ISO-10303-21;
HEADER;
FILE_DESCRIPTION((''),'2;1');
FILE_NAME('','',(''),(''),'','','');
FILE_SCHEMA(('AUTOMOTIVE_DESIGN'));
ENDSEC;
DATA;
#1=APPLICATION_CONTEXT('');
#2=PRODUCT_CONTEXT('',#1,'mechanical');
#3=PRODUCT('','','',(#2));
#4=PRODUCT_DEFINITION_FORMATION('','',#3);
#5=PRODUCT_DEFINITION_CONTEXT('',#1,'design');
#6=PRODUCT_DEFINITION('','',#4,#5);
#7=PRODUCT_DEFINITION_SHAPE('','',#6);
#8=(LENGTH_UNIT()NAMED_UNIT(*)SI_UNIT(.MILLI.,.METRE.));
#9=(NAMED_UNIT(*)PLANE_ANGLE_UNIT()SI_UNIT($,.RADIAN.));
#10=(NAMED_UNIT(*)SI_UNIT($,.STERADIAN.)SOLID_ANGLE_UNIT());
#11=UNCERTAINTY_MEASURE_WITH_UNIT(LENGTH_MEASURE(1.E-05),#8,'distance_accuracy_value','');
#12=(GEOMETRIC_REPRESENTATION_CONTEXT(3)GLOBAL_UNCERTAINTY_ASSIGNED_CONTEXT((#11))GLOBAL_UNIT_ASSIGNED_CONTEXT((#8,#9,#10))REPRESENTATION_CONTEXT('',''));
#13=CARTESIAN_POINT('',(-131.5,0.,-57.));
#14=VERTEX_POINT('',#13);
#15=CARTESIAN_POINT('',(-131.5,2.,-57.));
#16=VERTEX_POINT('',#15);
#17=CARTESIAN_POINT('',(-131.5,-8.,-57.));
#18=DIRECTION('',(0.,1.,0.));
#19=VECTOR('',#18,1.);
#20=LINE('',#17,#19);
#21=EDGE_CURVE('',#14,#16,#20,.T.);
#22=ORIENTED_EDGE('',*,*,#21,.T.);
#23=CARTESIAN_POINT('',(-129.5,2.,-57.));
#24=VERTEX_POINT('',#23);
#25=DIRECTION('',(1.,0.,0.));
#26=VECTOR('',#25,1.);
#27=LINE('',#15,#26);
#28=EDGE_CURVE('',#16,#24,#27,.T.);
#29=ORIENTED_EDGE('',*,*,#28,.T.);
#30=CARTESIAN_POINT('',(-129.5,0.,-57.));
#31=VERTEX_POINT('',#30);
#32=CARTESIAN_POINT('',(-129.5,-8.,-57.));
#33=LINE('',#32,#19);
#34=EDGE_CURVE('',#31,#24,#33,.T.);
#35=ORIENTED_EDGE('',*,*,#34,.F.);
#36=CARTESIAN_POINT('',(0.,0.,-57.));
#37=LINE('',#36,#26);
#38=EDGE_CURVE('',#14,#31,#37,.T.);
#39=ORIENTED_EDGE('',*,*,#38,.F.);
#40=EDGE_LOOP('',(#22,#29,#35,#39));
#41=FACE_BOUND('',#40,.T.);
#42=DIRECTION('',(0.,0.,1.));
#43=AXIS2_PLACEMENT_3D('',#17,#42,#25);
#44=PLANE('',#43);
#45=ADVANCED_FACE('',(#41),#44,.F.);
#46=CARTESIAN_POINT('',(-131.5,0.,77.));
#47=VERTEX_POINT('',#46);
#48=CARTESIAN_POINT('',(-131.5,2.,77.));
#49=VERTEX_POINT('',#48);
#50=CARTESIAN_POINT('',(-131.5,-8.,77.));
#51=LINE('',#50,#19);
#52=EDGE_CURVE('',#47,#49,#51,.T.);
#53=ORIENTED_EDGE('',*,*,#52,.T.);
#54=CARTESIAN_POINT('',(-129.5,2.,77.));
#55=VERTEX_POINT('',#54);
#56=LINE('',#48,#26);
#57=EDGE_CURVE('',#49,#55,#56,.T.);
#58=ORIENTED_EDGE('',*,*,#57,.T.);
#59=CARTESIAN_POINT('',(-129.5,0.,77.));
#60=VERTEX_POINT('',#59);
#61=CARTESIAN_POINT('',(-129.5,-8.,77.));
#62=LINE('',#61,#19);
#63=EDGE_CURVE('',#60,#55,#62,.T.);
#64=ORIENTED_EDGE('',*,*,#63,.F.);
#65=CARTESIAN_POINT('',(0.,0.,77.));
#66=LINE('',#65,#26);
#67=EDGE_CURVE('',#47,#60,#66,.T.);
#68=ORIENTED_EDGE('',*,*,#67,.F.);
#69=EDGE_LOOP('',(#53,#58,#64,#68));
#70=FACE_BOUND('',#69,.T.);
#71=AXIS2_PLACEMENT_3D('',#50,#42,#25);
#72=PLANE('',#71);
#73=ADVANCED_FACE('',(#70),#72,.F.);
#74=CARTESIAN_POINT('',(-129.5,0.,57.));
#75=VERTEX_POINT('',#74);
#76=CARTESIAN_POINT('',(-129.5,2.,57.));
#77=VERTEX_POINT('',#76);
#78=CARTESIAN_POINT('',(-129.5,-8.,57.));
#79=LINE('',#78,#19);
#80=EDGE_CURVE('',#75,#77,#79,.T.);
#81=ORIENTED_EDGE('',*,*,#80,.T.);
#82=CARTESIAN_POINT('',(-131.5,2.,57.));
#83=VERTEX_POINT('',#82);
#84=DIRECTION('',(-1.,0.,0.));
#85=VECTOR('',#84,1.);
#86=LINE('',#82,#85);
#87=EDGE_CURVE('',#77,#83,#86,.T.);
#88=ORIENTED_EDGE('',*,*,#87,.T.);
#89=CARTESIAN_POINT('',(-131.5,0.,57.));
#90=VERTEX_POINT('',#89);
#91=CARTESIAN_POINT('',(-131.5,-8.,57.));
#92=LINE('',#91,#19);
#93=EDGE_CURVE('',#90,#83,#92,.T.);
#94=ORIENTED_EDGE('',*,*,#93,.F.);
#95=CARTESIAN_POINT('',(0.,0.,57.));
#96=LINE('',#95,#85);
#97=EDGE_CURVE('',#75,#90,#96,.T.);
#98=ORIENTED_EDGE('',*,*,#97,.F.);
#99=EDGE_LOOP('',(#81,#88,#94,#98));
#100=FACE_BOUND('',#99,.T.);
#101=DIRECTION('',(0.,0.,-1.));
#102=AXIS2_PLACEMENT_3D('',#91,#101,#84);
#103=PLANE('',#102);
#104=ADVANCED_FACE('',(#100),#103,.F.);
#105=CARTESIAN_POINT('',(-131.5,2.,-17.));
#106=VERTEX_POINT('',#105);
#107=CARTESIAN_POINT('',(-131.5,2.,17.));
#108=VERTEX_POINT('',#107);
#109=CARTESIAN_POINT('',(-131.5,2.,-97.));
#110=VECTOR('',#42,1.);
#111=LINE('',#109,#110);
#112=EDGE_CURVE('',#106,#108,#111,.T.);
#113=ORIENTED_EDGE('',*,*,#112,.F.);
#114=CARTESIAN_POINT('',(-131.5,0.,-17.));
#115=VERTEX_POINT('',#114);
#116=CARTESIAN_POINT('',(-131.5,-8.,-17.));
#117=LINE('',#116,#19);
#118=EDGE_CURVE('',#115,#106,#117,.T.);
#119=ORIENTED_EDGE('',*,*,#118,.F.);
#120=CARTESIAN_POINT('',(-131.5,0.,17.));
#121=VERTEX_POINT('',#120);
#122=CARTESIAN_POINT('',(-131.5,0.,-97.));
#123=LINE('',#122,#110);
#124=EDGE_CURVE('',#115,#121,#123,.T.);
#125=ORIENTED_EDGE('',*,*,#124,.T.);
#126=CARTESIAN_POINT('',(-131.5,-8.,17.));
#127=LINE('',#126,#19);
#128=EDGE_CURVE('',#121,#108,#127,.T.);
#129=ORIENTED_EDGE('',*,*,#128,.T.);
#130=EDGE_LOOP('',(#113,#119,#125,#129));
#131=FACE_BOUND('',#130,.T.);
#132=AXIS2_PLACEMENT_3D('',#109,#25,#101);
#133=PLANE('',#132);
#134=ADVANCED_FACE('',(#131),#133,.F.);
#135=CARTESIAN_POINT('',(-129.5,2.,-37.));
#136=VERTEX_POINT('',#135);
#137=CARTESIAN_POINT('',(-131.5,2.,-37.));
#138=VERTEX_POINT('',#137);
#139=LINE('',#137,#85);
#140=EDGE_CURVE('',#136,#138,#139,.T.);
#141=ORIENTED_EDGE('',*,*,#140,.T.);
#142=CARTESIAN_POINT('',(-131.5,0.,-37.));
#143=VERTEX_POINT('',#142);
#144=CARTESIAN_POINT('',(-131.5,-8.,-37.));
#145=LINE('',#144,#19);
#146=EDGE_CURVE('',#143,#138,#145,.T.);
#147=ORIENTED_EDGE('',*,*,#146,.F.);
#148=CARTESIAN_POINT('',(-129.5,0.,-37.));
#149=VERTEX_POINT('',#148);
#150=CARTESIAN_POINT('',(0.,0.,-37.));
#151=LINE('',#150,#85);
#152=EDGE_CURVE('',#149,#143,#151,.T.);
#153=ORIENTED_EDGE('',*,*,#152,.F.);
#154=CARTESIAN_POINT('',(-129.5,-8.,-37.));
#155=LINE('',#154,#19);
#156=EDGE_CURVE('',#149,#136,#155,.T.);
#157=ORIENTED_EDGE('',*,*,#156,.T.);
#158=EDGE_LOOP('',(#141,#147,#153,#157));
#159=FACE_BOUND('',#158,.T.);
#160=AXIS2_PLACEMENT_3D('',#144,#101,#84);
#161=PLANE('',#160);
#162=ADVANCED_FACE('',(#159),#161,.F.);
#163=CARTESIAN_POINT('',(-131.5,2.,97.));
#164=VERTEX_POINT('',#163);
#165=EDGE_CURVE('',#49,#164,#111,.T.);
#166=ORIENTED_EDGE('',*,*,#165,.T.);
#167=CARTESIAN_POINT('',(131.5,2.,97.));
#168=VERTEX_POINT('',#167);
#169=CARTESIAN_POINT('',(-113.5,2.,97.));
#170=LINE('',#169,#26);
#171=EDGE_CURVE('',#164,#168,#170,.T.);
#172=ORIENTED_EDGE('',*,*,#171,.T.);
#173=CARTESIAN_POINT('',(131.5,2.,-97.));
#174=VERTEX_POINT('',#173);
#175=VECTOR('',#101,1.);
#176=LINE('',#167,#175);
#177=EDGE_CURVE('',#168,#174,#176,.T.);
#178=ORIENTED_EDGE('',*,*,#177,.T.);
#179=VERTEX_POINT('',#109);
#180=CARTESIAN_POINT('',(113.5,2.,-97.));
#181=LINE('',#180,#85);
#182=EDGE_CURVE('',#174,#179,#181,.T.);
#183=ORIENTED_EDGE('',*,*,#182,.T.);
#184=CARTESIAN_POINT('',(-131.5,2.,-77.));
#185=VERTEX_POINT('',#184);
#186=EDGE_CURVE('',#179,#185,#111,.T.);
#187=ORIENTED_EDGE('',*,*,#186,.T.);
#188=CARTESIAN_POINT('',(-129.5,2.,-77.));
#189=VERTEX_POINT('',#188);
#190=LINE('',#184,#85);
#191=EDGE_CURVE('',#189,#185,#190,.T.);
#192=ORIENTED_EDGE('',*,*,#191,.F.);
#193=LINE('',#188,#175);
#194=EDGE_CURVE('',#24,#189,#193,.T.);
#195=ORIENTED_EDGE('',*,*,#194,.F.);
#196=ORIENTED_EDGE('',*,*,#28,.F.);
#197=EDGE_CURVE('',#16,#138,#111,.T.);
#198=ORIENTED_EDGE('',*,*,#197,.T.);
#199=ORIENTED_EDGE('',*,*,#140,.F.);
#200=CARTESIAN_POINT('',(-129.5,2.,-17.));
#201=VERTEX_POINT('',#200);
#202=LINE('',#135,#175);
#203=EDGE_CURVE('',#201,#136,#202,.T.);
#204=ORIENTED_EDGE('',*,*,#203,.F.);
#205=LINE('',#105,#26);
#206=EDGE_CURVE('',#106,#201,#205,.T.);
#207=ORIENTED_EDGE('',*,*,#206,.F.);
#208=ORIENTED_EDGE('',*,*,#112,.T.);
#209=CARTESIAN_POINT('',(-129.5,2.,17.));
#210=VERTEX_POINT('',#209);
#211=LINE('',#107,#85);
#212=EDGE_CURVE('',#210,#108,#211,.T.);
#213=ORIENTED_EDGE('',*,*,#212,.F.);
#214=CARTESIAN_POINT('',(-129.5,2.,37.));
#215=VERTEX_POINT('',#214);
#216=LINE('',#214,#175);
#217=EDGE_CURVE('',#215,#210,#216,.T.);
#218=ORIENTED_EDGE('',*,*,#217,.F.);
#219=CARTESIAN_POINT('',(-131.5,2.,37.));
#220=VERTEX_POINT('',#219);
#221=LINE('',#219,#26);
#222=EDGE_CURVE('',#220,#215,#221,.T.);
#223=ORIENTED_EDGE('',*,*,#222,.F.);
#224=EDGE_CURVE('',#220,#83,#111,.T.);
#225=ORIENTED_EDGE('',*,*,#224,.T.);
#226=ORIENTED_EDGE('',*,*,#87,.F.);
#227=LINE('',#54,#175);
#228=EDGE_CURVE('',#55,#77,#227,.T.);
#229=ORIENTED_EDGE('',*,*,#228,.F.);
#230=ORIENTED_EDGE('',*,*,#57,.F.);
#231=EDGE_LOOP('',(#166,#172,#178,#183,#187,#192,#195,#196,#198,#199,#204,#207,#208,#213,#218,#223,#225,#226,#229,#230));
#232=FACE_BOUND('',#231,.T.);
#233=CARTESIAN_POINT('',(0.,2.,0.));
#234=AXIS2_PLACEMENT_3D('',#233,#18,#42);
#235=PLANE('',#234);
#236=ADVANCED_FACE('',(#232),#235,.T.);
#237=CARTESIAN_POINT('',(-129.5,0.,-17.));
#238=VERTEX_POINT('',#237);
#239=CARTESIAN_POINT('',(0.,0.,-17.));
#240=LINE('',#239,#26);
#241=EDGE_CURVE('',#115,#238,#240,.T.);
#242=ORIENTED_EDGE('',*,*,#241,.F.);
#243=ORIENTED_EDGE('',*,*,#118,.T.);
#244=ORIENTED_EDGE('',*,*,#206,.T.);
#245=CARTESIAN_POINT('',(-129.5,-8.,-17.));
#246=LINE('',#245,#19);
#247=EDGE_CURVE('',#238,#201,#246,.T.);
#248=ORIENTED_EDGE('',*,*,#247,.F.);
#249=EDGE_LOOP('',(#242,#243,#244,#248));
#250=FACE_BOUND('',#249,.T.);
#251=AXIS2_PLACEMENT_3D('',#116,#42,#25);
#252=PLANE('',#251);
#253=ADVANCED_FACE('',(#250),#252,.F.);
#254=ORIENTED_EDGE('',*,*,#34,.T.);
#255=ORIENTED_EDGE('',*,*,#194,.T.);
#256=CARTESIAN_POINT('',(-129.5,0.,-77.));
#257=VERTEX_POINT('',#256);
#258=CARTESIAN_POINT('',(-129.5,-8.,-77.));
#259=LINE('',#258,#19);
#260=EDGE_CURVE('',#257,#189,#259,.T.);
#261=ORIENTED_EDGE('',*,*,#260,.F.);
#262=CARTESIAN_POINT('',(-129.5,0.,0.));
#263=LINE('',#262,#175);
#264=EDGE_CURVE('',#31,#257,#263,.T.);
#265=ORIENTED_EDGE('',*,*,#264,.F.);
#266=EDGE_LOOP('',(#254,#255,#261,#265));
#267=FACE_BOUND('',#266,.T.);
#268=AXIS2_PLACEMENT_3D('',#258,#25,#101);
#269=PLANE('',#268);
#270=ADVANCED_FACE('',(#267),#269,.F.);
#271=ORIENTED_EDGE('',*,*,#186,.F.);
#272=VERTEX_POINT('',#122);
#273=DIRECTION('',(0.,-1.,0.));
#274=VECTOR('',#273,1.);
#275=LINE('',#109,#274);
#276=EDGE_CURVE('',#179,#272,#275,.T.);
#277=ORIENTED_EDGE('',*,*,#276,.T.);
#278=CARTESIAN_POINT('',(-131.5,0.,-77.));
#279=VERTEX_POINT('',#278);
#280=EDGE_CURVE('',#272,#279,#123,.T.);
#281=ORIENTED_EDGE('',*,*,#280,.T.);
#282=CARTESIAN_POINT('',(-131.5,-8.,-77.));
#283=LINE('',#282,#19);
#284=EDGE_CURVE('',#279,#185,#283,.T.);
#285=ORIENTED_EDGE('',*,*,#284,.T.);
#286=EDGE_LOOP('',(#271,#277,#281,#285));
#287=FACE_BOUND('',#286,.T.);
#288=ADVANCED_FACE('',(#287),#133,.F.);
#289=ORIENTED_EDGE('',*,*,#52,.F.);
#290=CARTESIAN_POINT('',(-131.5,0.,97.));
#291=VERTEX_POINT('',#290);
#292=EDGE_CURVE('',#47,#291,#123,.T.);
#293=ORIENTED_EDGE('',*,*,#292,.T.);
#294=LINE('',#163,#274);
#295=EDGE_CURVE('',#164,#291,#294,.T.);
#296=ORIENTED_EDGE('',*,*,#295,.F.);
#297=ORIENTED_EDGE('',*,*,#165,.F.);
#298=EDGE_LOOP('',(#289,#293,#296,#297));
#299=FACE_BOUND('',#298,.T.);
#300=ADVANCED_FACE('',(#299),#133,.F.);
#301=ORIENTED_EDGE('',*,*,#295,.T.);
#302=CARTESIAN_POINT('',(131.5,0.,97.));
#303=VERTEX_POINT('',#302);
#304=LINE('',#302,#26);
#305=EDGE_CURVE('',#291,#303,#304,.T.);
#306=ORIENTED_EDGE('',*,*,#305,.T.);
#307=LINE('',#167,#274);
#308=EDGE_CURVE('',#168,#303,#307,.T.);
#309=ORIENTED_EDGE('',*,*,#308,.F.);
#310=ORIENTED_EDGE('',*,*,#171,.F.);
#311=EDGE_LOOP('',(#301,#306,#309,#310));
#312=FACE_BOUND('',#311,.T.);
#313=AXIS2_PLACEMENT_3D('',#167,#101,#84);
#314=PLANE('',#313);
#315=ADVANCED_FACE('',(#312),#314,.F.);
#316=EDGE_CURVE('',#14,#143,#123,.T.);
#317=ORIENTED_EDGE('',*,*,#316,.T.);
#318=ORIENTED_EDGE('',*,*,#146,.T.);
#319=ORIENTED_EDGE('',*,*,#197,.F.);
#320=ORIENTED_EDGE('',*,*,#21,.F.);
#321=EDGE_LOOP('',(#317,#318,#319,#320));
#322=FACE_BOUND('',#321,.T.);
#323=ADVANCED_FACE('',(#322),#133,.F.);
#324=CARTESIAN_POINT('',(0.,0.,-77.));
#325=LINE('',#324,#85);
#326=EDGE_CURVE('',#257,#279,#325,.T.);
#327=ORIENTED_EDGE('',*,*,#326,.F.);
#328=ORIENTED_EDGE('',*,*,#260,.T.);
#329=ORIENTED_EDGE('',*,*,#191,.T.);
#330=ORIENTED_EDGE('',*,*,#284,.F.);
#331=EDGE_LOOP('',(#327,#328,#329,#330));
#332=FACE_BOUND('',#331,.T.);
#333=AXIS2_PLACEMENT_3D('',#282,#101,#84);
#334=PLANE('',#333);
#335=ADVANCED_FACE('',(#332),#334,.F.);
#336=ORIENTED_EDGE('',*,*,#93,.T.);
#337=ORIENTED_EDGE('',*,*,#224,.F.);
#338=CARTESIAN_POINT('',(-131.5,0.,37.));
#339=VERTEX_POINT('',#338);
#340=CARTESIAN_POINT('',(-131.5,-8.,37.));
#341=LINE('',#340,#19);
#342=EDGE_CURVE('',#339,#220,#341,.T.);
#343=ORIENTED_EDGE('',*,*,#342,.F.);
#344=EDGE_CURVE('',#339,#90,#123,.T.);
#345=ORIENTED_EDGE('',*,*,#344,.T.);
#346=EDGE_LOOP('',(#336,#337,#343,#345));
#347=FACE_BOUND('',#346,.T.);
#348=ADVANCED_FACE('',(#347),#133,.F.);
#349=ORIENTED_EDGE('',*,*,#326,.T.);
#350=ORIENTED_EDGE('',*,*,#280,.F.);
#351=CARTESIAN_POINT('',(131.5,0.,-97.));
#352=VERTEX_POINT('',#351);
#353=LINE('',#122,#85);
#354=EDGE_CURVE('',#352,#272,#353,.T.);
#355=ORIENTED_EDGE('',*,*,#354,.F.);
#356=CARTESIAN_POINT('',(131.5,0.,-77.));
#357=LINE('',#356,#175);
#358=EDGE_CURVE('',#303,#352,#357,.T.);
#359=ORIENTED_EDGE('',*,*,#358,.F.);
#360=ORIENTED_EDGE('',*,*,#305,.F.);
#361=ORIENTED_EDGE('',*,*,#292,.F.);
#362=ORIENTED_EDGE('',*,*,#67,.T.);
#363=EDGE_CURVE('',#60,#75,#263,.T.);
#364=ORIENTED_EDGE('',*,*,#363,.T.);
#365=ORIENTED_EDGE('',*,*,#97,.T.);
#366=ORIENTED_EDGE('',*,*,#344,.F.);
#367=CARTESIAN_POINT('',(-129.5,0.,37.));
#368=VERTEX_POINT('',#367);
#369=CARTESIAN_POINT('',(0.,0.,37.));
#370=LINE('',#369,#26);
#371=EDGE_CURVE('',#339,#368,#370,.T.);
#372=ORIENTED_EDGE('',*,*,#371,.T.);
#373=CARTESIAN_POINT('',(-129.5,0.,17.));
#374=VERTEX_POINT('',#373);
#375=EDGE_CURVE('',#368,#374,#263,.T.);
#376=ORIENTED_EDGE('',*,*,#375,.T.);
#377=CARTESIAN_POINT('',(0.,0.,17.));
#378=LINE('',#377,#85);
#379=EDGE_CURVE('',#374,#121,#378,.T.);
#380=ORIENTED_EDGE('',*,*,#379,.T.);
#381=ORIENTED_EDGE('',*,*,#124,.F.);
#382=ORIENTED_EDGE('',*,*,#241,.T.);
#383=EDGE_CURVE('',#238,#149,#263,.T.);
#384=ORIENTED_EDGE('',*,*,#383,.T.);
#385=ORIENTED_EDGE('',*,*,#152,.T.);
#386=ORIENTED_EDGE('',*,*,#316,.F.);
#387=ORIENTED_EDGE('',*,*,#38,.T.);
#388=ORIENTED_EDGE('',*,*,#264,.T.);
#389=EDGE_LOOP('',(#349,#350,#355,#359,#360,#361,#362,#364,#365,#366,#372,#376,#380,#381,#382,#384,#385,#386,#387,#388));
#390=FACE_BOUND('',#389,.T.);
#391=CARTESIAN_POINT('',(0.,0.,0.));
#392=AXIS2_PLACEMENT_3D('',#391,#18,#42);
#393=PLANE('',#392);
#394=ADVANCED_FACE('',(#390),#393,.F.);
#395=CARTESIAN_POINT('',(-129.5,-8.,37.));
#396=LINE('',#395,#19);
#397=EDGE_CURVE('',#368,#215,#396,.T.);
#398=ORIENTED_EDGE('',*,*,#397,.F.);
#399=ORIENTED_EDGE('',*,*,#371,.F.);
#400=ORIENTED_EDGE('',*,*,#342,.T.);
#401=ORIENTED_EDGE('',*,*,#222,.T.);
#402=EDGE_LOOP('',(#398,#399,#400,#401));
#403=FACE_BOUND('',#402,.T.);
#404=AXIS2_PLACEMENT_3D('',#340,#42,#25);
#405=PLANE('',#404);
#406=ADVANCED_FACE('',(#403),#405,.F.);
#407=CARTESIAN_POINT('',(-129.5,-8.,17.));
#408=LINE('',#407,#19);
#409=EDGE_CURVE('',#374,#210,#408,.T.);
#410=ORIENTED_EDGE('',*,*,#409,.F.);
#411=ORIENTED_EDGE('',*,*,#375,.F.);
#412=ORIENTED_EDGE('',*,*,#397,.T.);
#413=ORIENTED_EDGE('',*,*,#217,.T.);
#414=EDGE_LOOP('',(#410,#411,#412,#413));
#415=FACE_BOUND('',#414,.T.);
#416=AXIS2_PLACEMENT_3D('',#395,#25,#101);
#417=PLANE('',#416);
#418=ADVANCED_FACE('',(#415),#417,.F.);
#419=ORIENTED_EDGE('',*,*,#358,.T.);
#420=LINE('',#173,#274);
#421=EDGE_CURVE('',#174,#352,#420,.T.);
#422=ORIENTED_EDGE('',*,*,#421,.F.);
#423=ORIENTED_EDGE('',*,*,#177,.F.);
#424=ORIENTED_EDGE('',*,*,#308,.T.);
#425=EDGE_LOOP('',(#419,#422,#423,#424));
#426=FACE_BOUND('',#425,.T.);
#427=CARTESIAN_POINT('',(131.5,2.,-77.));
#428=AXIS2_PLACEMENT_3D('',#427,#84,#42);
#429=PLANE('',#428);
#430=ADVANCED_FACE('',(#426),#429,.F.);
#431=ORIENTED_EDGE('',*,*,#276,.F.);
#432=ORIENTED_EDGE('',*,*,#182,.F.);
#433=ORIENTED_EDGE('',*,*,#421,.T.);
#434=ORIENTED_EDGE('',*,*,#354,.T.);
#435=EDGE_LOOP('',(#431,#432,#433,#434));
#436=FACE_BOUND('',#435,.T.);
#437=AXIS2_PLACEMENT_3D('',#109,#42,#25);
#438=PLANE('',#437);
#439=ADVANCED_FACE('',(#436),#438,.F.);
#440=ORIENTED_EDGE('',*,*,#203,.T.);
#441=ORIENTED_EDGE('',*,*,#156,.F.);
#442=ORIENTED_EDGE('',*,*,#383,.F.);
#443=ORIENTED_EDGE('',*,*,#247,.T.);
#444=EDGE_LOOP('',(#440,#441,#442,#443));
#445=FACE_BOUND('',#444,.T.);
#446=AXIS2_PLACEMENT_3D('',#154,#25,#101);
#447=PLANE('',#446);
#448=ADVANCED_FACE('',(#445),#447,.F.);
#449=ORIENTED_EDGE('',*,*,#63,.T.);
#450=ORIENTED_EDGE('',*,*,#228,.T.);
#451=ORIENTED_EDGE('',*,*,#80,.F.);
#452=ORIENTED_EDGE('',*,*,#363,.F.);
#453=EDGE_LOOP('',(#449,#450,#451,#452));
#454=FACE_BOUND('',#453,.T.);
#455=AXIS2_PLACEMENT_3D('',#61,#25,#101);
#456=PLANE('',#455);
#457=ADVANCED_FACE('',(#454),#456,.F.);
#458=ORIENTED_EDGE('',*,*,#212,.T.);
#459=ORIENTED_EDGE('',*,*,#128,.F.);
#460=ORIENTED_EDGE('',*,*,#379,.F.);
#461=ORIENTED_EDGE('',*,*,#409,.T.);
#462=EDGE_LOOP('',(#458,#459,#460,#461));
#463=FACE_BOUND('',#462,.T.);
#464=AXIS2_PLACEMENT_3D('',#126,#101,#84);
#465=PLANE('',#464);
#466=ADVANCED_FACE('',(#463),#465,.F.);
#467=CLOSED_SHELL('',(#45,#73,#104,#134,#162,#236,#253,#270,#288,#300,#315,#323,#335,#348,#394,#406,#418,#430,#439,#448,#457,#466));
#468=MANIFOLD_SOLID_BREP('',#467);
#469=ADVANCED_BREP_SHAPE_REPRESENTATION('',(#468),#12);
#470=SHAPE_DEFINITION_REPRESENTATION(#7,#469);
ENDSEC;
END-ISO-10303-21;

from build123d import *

# Parameters (mm, degrees)
BOSS_EXTRUDE1_DEPTH = 2
SKETCH4_W           = 2
SKETCH4_H           = 20
CUT_EXTRUDE2_DEPTH  = 10


with BuildPart() as part:
    # Sketch1 → Boss-Extrude1 (new body)
    with BuildSketch(Plane(origin=(0, 0, 0), x_dir=(1, 0, 0), z_dir=(0, 1, 0))):
        Polygon((131.5, -97), (131.5, -77), (131.5, -57), (131.5, -37), (131.5, -17), (131.5, 17), (131.5, 37), (131.5, 57), (131.5, 77), (131.5, 97), (113.5, 97), (103.5, 97), (83.5, 97), (73.5, 97), (53.5, 97), (-23.5, 97), (-43.5, 97), (-53.5, 97), (-73.5, 97), (-83.5, 97), (-103.5, 97), (-113.5, 97), (-131.5, 97), (-131.5, -97), (-113.5, -97), (-103.5, -97), (-83.5, -97), (-73.5, -97), (-53.5, -97), (-43.5, -97), (-23.5, -97), (53.5, -97), (73.5, -97), (83.5, -97), (103.5, -97), (113.5, -97), align=None)
    extrude(amount=BOSS_EXTRUDE1_DEPTH)

    # Sketch4 → Cut-Extrude2 (cut)
    with BuildSketch(Plane(origin=(0, 2, 0), x_dir=(1, 0, 0), z_dir=(0, 1, 0))):
        with Locations((-130.5, 67)):
            Rectangle(SKETCH4_W, SKETCH4_H)
        with Locations((-130.5, 27)):
            Rectangle(SKETCH4_W, SKETCH4_H)
        with Locations((-130.5, -27)):
            Rectangle(SKETCH4_W, SKETCH4_H)
        with Locations((-130.5, -67)):
            Rectangle(SKETCH4_W, SKETCH4_H)
    extrude(amount=-CUT_EXTRUDE2_DEPTH, mode=Mode.SUBTRACT)


solid = part.part
